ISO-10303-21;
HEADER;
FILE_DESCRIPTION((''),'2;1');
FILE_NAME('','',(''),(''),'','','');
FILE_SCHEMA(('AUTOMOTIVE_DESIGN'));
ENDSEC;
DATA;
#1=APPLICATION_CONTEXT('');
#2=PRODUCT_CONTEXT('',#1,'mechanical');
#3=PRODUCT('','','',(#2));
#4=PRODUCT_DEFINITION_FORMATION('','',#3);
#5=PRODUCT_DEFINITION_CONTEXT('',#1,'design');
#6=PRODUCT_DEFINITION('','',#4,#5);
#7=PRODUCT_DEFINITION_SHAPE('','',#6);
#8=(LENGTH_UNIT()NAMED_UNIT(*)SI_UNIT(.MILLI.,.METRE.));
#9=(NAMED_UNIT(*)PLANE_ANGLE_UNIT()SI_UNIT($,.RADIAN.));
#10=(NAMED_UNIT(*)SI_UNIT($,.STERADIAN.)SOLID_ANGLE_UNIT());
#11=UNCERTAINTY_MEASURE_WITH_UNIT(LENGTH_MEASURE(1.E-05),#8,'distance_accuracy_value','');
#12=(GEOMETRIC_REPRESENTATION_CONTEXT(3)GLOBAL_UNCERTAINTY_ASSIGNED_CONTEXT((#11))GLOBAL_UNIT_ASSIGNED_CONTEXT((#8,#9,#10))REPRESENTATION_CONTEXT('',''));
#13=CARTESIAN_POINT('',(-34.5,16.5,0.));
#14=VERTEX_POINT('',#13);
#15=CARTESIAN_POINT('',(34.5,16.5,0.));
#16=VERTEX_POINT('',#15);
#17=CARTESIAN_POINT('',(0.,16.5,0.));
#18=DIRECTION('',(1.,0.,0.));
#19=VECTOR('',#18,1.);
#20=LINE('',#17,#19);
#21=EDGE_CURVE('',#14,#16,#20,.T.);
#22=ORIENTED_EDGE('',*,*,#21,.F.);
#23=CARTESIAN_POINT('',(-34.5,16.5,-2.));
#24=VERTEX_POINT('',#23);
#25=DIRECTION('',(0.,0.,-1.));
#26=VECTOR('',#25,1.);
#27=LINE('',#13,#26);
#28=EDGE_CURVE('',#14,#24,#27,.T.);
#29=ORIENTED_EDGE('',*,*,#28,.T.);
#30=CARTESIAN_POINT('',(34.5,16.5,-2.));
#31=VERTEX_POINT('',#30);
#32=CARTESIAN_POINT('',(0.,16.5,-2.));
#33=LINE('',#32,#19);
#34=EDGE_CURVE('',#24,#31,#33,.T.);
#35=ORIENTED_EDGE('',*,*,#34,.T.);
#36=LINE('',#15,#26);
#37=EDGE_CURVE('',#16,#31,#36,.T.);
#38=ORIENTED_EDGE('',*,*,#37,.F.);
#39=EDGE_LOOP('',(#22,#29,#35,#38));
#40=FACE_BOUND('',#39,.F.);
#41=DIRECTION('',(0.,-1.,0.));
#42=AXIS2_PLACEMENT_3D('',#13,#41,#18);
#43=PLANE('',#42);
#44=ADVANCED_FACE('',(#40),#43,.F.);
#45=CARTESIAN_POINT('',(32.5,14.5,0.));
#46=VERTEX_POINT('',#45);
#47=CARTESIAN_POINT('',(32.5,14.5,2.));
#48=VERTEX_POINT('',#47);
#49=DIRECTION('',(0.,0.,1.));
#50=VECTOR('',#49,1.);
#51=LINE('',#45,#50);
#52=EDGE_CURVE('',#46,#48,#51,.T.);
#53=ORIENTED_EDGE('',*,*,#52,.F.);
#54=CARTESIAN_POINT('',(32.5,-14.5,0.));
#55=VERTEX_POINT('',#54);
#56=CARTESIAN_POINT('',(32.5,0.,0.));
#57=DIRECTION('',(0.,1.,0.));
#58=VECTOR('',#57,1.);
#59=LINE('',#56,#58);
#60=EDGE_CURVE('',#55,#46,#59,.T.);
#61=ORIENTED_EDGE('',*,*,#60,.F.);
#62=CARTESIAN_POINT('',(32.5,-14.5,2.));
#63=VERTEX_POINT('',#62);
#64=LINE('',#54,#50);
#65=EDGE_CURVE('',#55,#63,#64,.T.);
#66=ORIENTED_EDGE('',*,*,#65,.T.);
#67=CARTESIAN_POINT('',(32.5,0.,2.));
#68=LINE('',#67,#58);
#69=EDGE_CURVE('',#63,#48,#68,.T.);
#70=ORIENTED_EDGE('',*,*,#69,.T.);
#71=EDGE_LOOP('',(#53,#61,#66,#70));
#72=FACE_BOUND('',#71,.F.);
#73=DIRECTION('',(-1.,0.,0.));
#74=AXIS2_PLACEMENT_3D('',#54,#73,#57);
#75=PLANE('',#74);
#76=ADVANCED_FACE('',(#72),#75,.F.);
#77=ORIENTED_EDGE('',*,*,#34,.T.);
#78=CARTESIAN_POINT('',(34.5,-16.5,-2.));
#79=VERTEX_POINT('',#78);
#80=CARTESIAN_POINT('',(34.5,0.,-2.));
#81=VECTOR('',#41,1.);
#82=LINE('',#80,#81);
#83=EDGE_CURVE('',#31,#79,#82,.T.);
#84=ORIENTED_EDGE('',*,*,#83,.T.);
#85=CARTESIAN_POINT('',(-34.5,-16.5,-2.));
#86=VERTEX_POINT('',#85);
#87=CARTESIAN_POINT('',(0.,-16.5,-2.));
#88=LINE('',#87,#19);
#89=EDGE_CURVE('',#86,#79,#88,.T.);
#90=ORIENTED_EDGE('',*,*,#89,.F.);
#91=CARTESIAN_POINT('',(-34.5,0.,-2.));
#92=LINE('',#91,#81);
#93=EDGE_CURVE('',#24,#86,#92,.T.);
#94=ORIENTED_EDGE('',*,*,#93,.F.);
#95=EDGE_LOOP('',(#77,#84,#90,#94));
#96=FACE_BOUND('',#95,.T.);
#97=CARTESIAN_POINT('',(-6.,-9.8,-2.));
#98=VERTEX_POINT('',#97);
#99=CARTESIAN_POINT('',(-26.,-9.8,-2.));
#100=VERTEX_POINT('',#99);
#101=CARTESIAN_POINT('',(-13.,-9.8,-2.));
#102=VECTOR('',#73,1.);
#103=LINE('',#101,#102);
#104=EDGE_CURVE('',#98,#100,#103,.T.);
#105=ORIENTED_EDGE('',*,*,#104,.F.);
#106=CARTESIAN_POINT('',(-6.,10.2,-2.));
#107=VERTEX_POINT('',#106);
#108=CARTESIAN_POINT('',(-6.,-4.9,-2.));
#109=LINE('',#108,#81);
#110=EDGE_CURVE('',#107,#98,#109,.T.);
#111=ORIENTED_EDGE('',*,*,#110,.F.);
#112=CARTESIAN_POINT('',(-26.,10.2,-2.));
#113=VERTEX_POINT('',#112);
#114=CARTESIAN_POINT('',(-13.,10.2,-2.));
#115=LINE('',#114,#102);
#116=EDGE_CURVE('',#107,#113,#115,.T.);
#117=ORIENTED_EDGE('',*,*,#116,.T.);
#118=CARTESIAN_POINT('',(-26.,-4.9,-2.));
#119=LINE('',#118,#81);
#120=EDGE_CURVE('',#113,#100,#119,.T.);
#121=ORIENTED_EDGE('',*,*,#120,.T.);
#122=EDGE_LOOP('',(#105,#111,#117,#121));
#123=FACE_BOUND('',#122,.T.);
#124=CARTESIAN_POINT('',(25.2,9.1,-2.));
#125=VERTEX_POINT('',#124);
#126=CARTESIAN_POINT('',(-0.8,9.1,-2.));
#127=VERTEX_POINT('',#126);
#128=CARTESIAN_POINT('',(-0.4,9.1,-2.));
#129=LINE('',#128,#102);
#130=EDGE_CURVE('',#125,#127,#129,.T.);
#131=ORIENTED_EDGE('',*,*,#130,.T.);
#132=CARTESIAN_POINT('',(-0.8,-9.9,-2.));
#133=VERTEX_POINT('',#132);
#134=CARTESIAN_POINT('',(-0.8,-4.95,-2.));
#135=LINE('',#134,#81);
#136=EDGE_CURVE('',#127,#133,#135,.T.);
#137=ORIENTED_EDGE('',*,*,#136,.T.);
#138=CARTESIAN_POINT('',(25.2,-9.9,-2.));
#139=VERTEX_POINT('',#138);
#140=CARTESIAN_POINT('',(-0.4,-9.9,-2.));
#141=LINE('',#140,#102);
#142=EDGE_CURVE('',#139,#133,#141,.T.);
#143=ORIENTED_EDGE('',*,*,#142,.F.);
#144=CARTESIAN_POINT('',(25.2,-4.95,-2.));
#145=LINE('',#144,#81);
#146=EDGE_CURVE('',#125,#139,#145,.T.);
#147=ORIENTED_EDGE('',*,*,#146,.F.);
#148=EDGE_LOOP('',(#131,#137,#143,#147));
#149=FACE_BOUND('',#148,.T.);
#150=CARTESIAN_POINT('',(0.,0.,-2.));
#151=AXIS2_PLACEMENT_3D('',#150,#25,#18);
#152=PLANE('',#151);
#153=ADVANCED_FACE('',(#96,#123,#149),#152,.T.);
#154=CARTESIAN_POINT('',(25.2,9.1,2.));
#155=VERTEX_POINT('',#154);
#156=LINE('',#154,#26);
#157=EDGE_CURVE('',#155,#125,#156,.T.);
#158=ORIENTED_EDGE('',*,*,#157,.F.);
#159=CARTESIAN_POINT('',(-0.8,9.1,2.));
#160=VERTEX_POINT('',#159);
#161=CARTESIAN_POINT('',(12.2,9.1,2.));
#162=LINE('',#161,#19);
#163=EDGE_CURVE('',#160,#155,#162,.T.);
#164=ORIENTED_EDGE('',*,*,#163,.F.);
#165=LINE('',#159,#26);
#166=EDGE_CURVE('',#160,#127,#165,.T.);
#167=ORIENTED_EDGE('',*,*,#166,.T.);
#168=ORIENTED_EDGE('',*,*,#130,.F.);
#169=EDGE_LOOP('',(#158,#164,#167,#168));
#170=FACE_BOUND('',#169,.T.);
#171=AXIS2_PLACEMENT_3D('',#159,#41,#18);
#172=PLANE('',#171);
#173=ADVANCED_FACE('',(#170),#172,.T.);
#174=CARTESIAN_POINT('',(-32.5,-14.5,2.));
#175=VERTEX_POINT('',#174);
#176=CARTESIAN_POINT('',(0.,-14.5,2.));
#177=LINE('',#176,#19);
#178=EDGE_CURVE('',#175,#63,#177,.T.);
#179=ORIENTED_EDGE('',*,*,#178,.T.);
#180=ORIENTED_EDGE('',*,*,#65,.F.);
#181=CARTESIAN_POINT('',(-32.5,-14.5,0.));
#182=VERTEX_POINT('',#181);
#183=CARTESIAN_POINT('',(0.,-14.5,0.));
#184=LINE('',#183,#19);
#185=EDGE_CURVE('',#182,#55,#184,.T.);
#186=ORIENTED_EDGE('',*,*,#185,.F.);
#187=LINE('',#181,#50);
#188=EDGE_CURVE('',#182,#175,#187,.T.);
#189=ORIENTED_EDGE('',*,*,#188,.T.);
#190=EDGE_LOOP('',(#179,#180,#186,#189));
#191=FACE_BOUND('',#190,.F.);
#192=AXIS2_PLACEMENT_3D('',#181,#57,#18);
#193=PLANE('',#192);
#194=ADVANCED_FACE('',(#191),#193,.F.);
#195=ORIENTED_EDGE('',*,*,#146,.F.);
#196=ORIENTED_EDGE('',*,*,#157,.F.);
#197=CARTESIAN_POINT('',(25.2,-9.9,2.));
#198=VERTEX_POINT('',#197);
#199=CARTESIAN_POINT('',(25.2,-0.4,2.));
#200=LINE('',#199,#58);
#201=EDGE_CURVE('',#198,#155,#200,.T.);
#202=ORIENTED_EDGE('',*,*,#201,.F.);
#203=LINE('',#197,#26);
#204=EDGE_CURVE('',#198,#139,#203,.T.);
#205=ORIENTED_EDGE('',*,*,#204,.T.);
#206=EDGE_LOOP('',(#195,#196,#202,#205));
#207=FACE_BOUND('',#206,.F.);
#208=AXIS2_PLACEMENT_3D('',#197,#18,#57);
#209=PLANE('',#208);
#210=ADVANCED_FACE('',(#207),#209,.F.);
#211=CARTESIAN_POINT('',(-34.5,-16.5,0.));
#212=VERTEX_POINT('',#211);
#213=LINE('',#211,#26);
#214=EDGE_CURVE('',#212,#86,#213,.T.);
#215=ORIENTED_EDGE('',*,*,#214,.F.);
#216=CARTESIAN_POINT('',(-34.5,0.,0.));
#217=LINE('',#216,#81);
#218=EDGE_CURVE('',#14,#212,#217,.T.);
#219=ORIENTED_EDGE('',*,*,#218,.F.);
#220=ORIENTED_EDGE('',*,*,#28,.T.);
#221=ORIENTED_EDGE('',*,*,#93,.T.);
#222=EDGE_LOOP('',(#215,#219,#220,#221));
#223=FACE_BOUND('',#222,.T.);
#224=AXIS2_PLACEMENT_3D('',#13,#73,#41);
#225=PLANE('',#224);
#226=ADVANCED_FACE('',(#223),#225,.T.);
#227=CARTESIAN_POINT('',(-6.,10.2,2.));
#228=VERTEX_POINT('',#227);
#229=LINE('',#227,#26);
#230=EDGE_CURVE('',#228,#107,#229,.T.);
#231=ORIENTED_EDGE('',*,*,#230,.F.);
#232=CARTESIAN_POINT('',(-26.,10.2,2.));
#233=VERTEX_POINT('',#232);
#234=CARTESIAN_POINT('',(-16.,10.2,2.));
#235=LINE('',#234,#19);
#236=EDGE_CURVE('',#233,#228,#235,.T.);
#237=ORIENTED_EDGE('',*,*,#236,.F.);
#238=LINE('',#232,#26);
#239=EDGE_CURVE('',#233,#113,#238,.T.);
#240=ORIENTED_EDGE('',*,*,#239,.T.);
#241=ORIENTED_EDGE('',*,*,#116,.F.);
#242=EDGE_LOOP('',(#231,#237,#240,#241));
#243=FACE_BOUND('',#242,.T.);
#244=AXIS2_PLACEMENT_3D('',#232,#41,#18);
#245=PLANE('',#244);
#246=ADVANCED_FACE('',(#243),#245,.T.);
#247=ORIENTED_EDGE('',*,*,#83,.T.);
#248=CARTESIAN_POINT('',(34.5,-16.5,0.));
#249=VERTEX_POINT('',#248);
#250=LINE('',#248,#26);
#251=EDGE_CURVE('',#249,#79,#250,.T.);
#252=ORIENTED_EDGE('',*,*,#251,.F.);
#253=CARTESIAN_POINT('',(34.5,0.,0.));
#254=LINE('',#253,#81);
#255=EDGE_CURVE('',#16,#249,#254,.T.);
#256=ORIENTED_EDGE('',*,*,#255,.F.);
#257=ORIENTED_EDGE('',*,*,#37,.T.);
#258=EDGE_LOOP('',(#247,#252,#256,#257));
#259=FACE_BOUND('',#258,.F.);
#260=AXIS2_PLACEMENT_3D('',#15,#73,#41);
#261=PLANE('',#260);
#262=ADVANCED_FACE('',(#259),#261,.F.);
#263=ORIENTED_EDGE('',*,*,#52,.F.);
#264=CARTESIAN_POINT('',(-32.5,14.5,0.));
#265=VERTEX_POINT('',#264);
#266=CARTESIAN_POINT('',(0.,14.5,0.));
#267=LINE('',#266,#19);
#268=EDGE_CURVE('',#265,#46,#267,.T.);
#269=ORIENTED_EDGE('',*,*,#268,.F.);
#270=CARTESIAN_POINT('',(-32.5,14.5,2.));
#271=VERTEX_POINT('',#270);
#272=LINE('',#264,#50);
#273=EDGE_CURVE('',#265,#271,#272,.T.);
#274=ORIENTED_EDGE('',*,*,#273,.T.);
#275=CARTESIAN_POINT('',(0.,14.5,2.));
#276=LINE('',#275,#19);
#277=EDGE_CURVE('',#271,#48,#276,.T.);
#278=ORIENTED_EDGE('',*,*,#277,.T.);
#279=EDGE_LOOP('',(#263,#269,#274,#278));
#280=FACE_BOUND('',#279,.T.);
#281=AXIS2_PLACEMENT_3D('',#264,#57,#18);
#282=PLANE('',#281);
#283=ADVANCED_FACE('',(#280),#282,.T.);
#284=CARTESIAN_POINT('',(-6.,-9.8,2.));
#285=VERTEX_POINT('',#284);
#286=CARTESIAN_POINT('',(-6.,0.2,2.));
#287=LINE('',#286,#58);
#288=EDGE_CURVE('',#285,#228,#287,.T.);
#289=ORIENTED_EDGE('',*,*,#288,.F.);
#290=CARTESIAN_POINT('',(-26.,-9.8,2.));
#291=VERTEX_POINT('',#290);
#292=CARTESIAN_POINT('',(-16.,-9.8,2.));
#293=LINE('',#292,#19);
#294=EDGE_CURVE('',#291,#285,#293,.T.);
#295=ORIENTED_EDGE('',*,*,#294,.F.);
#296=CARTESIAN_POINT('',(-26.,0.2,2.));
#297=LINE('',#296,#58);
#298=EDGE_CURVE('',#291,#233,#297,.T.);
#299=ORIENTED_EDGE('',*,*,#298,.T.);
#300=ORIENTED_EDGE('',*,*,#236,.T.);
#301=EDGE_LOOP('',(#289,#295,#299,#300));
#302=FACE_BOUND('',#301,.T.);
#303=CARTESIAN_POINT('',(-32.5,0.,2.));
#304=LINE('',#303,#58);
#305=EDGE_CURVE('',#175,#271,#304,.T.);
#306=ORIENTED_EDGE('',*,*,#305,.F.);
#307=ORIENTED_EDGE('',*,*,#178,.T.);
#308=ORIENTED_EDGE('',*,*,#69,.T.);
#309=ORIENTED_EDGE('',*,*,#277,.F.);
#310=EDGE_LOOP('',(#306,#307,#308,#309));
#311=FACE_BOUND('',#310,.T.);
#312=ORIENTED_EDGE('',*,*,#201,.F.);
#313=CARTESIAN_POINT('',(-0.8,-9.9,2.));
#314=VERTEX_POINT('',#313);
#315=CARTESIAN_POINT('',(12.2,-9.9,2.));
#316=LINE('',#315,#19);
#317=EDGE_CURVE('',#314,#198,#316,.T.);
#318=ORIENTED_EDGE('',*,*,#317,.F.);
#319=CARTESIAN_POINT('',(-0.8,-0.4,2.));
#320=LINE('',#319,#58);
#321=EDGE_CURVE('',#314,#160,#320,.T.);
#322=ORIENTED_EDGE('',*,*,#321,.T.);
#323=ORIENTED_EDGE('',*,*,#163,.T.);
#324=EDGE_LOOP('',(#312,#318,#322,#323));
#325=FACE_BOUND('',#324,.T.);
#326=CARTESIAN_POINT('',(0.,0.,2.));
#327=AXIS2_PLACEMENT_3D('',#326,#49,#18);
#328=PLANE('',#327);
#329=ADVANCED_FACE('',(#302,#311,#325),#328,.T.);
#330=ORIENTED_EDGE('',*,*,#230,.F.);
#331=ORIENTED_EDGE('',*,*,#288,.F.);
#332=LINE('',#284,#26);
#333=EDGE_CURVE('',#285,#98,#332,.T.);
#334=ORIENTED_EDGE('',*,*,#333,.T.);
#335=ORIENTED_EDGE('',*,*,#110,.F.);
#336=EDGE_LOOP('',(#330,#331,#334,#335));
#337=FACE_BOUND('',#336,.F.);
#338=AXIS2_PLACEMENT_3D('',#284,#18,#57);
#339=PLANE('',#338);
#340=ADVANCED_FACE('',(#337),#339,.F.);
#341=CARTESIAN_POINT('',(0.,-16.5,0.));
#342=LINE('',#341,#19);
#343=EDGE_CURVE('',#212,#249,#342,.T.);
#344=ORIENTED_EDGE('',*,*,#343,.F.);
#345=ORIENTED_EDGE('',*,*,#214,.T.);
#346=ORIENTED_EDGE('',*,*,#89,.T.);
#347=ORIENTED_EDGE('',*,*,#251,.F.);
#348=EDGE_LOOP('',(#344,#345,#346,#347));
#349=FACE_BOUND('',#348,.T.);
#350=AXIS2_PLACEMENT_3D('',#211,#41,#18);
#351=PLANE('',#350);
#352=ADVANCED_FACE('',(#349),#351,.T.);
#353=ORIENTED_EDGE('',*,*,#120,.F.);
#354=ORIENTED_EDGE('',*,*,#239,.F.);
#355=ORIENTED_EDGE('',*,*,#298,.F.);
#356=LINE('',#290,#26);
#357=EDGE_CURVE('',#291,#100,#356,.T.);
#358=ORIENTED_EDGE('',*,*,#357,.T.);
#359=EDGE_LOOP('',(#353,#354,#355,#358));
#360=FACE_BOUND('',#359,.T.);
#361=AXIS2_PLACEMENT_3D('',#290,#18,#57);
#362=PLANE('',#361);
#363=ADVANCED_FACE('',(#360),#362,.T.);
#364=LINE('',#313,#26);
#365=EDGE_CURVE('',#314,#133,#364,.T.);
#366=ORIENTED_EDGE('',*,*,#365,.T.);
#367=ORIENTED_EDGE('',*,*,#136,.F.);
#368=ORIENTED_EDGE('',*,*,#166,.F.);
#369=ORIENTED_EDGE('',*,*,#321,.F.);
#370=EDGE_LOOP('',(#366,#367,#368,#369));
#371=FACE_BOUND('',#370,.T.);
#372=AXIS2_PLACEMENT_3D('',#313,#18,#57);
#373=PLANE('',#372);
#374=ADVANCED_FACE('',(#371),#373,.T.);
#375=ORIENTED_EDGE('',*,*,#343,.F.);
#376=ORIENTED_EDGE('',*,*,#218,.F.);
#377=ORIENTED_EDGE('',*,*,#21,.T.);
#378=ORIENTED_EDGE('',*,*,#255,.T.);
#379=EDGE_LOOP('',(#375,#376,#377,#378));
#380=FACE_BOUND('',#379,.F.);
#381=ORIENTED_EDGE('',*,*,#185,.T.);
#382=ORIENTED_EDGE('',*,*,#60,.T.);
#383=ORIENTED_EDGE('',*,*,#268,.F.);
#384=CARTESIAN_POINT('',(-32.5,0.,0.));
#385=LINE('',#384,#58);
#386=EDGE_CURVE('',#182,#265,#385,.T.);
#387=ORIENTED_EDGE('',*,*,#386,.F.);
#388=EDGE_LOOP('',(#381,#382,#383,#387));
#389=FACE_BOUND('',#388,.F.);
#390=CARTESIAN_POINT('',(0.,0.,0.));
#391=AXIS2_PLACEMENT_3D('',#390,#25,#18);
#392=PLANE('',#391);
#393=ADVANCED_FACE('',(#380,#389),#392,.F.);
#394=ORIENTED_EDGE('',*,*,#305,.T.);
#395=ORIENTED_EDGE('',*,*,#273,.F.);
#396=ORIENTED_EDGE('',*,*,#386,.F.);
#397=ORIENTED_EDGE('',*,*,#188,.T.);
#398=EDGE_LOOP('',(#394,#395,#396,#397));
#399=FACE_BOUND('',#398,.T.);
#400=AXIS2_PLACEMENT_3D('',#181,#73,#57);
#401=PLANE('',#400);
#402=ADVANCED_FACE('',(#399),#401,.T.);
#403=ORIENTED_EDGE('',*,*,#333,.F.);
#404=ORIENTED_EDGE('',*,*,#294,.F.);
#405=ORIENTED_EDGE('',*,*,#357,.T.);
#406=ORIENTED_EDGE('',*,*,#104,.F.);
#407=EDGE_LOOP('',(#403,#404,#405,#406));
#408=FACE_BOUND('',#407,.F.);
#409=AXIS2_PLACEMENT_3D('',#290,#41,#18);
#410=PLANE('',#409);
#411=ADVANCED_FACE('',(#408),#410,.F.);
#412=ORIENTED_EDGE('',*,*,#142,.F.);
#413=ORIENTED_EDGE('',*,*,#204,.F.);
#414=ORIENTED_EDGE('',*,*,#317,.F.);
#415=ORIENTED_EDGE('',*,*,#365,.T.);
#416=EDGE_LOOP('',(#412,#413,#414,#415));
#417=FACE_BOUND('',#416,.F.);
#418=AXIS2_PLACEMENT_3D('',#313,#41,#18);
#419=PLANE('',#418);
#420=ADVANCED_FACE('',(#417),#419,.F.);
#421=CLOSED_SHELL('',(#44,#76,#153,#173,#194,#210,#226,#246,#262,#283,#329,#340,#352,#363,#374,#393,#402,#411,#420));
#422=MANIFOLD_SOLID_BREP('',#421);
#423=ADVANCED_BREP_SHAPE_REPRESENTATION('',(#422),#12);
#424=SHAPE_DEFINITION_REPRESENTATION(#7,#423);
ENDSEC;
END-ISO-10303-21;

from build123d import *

# Parameters (mm, degrees)
SKETCH_W      = 65
SKETCH_H      = 29
PAD_DEPTH     = 2
SKETCH002_W   = 69
SKETCH002_H   = 33
PAD001_DEPTH  = 2
SKETCH003_W   = 20
SKETCH003_H   = 20
SKETCH003_W_2 = 26
SKETCH003_H_2 = 19
POCKET_DEPTH  = 4.001


with BuildPart() as part:
    # Sketch → Pad (new body)
    with BuildSketch(Plane.XY):
        Rectangle(SKETCH_W, SKETCH_H)
    extrude(amount=PAD_DEPTH)

    # Sketch002 (on Face5 of Pad) → Pad001 (join)
    with BuildSketch(Plane(origin=(0, 0, 0), x_dir=(1, 0, 0), z_dir=(0, 0, -1))):
        Rectangle(SKETCH002_W, SKETCH002_H)
    extrude(amount=PAD001_DEPTH)

    # Sketch003 (on Face11 of Pad001) → Pocket (cut, through all)
    with BuildSketch(Plane.XY.offset(2)):
        with Locations((-16, 0.2)):
            Rectangle(SKETCH003_W, SKETCH003_H)
        with Locations((12.2, -0.4)):
            Rectangle(SKETCH003_W_2, SKETCH003_H_2)
    extrude(amount=-POCKET_DEPTH, mode=Mode.SUBTRACT)


solid = part.part
